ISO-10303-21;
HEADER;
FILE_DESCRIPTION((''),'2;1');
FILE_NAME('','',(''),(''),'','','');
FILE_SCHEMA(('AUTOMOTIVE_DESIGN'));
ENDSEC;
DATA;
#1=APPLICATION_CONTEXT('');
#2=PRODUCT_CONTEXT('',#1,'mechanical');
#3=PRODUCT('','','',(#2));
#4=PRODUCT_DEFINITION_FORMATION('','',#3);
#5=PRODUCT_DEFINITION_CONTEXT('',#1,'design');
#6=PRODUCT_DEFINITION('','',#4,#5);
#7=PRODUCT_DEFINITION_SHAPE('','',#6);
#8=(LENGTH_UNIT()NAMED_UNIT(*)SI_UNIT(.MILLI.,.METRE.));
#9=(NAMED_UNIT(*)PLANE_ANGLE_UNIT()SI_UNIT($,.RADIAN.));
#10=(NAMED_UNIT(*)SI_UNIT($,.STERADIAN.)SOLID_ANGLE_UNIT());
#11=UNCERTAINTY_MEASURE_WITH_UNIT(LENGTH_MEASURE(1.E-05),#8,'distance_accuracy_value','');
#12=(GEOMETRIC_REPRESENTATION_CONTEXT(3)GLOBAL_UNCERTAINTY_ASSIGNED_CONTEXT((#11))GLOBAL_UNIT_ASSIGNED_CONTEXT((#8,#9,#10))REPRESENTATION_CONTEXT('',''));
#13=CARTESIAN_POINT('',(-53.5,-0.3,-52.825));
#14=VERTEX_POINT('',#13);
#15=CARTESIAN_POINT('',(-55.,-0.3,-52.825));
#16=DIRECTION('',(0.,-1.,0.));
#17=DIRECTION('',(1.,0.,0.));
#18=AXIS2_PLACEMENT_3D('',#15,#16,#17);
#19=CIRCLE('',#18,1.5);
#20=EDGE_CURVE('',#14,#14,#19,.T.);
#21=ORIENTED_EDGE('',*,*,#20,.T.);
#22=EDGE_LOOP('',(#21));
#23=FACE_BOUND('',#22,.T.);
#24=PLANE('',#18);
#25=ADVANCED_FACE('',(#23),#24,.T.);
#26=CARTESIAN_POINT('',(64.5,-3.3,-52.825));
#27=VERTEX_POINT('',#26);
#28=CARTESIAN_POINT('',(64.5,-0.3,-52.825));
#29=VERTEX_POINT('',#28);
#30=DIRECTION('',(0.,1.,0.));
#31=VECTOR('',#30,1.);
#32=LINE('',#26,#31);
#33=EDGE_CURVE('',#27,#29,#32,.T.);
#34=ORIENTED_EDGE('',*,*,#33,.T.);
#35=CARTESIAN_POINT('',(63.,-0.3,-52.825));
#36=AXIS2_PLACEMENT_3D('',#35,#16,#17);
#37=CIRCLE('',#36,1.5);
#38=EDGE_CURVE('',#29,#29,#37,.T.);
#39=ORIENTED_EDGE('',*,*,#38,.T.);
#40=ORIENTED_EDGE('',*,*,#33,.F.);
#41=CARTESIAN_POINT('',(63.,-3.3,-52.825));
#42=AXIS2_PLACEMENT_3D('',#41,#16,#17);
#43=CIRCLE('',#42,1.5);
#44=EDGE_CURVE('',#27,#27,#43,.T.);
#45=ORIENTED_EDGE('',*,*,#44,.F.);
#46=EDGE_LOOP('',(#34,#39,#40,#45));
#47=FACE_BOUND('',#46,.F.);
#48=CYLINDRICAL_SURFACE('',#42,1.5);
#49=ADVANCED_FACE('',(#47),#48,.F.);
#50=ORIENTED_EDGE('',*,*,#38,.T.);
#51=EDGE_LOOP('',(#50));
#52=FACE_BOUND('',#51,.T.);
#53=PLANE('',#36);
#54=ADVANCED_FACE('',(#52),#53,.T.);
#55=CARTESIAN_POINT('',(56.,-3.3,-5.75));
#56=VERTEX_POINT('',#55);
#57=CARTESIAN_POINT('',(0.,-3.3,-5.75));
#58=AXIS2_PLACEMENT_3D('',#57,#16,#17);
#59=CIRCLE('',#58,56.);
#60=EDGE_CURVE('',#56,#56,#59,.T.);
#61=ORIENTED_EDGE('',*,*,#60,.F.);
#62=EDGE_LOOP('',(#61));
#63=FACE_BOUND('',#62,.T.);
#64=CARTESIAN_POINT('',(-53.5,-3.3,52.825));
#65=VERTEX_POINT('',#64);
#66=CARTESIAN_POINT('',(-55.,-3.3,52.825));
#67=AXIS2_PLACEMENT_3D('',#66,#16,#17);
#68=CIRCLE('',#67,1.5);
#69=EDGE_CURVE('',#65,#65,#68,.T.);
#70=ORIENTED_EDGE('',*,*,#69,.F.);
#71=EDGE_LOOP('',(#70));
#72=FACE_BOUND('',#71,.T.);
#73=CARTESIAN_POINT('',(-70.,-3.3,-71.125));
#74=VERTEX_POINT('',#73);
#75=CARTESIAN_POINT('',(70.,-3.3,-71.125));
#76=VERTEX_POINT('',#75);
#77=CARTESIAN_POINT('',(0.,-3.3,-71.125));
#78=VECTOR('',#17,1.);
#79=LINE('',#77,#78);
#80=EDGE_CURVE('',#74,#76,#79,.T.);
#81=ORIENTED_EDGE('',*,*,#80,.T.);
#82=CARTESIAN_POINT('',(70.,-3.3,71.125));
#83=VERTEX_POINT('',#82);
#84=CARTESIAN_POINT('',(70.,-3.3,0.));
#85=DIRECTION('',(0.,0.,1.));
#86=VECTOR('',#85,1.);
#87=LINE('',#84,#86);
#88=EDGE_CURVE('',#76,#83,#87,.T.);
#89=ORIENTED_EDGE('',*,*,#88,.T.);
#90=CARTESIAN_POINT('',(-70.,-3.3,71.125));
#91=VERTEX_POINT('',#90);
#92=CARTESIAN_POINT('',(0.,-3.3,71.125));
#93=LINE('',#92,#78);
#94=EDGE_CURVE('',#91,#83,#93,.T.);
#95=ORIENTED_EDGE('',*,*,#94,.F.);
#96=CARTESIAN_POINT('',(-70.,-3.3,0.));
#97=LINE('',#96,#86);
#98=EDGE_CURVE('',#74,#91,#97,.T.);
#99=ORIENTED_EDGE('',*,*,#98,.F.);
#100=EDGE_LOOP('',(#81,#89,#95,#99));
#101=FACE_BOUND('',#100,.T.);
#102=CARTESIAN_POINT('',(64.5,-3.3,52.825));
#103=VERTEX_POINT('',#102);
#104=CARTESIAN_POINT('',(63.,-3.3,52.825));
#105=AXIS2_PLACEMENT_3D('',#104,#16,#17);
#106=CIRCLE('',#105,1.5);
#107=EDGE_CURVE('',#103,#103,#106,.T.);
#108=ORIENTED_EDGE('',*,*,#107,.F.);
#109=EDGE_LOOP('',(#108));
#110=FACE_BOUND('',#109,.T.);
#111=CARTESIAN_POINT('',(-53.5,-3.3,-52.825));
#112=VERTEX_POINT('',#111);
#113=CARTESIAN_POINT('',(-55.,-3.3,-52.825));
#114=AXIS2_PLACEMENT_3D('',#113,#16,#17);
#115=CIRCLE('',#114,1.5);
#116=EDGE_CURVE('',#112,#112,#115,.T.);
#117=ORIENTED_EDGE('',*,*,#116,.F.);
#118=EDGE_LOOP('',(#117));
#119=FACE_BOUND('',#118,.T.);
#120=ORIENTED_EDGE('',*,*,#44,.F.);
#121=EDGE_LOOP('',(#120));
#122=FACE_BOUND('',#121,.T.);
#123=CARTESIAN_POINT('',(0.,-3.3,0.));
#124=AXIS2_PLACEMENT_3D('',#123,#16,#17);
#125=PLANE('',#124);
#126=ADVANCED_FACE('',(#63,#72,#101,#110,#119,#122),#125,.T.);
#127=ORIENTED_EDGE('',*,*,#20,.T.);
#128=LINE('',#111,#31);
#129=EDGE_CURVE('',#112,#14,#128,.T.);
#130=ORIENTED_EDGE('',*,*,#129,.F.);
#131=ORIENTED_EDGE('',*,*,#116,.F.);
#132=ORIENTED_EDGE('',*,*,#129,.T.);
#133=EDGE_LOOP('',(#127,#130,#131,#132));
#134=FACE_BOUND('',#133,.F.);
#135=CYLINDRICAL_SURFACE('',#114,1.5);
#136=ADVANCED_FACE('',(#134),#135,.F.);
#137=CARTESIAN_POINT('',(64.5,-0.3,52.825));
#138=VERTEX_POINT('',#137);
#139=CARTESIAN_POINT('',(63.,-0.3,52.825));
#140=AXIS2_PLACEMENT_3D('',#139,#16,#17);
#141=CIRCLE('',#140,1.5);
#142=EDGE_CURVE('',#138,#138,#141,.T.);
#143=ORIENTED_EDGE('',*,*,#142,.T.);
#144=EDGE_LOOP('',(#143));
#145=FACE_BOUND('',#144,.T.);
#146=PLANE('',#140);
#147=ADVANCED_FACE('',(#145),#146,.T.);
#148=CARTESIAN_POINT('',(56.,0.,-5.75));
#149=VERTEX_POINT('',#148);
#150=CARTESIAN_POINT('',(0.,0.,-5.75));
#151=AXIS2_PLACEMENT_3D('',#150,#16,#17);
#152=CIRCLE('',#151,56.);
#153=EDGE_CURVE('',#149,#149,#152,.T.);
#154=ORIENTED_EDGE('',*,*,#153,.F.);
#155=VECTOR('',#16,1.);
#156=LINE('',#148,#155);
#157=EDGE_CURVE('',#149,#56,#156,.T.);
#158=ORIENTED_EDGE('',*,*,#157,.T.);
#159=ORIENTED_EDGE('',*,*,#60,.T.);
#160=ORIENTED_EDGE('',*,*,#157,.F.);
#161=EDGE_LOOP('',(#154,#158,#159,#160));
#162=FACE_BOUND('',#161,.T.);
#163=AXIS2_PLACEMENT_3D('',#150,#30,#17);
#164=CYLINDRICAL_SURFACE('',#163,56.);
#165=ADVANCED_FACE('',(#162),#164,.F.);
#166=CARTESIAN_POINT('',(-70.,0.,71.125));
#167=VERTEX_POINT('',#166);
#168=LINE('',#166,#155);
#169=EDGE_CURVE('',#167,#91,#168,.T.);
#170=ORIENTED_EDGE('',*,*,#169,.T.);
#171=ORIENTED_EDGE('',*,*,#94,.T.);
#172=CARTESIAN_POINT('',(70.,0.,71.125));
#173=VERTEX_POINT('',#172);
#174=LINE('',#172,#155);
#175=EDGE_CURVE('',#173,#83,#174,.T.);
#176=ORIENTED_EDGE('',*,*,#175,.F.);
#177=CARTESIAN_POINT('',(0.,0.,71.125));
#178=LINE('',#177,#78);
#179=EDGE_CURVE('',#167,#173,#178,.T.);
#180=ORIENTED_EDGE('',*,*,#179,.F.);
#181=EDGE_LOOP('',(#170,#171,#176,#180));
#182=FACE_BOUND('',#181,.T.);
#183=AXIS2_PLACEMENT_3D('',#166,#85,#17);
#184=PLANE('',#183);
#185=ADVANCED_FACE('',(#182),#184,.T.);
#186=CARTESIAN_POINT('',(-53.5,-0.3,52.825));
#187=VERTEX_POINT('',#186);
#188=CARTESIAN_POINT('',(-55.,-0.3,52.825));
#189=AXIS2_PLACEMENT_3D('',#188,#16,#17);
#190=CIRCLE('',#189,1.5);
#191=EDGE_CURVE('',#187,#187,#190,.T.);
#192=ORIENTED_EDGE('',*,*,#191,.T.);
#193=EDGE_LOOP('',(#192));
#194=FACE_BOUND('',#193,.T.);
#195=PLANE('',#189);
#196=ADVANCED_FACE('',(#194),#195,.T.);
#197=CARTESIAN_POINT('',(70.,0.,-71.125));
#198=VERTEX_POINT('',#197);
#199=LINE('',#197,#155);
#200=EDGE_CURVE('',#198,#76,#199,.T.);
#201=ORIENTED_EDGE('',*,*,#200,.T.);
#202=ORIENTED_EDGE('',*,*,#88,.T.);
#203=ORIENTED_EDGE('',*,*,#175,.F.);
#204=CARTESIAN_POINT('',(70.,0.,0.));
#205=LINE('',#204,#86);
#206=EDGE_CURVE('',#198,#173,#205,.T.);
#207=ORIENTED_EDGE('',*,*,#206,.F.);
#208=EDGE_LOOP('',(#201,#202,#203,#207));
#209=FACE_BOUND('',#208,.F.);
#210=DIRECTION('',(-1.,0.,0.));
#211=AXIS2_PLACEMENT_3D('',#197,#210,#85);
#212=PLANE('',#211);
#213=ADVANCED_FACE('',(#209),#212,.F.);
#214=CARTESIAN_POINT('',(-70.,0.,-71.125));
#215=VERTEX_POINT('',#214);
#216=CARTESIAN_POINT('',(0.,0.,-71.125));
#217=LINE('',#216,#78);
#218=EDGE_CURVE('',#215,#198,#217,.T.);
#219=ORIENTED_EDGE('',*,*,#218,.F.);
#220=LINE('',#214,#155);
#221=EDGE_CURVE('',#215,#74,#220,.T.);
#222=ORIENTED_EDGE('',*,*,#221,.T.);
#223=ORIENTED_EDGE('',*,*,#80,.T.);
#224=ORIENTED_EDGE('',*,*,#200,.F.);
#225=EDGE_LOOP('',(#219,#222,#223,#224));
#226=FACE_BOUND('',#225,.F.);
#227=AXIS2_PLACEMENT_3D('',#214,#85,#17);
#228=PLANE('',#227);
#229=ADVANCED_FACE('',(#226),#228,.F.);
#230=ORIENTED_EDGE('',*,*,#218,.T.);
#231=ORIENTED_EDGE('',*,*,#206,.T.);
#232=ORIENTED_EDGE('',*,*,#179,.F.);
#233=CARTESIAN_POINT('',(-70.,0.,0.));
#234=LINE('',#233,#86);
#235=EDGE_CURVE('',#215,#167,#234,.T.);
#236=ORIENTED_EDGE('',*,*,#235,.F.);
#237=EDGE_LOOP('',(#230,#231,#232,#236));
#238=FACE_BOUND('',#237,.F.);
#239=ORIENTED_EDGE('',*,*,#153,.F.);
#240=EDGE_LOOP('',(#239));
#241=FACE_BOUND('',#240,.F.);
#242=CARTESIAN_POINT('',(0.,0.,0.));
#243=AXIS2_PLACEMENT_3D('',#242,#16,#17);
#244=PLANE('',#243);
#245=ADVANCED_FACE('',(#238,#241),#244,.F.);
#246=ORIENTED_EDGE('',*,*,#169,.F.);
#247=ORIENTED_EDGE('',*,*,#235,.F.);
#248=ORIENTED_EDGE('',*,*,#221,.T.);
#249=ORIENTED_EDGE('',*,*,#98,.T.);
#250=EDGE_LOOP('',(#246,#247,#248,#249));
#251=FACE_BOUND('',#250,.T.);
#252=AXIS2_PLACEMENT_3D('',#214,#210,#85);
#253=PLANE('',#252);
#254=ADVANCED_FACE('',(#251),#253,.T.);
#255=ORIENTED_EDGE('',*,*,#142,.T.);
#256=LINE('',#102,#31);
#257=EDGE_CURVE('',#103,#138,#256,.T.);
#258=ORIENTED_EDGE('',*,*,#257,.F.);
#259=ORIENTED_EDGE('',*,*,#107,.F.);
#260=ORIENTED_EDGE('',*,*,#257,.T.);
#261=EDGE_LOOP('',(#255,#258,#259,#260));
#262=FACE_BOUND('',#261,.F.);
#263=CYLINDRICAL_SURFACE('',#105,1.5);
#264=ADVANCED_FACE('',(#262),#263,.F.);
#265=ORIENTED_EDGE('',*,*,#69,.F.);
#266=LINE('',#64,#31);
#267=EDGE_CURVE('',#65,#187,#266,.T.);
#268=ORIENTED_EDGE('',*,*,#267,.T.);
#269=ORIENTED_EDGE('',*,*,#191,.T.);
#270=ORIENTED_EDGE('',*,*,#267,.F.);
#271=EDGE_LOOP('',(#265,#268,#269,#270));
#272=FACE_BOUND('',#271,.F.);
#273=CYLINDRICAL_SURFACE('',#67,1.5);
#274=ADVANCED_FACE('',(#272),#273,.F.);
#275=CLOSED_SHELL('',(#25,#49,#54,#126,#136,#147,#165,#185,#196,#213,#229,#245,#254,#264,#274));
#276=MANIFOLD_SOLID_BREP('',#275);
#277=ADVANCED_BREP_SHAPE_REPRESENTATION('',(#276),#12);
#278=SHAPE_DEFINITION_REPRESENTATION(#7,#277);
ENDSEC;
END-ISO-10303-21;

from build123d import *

# Parameters (mm, degrees)
F0_W     = 140
F0_H     = 142.25
F0_R     = 56
F1_DEPTH = 3.3
F2_R     = 1.5
F3_DEPTH = 3


with BuildPart() as f1:
    # F0 (on Front) → F1 (new body)
    with BuildSketch(Plane.XZ):
        Rectangle(F0_W, F0_H)
        with Locations((0, -5.75)):
            Circle(F0_R, mode=Mode.SUBTRACT)
    extrude(amount=F1_DEPTH)

    # F2 (on face) → F3 (cut)
    with BuildSketch(Plane.XZ.offset(3.3)):
        with Locations((63, 52.825)):
            Circle(F2_R)
        with Locations((-55, 52.825)):
            Circle(F2_R)
        with Locations((-55, -52.825)):
            Circle(F2_R)
        with Locations((63, -52.825)):
            Circle(F2_R)
    extrude(amount=-F3_DEPTH, mode=Mode.SUBTRACT)


solid = f1.part
